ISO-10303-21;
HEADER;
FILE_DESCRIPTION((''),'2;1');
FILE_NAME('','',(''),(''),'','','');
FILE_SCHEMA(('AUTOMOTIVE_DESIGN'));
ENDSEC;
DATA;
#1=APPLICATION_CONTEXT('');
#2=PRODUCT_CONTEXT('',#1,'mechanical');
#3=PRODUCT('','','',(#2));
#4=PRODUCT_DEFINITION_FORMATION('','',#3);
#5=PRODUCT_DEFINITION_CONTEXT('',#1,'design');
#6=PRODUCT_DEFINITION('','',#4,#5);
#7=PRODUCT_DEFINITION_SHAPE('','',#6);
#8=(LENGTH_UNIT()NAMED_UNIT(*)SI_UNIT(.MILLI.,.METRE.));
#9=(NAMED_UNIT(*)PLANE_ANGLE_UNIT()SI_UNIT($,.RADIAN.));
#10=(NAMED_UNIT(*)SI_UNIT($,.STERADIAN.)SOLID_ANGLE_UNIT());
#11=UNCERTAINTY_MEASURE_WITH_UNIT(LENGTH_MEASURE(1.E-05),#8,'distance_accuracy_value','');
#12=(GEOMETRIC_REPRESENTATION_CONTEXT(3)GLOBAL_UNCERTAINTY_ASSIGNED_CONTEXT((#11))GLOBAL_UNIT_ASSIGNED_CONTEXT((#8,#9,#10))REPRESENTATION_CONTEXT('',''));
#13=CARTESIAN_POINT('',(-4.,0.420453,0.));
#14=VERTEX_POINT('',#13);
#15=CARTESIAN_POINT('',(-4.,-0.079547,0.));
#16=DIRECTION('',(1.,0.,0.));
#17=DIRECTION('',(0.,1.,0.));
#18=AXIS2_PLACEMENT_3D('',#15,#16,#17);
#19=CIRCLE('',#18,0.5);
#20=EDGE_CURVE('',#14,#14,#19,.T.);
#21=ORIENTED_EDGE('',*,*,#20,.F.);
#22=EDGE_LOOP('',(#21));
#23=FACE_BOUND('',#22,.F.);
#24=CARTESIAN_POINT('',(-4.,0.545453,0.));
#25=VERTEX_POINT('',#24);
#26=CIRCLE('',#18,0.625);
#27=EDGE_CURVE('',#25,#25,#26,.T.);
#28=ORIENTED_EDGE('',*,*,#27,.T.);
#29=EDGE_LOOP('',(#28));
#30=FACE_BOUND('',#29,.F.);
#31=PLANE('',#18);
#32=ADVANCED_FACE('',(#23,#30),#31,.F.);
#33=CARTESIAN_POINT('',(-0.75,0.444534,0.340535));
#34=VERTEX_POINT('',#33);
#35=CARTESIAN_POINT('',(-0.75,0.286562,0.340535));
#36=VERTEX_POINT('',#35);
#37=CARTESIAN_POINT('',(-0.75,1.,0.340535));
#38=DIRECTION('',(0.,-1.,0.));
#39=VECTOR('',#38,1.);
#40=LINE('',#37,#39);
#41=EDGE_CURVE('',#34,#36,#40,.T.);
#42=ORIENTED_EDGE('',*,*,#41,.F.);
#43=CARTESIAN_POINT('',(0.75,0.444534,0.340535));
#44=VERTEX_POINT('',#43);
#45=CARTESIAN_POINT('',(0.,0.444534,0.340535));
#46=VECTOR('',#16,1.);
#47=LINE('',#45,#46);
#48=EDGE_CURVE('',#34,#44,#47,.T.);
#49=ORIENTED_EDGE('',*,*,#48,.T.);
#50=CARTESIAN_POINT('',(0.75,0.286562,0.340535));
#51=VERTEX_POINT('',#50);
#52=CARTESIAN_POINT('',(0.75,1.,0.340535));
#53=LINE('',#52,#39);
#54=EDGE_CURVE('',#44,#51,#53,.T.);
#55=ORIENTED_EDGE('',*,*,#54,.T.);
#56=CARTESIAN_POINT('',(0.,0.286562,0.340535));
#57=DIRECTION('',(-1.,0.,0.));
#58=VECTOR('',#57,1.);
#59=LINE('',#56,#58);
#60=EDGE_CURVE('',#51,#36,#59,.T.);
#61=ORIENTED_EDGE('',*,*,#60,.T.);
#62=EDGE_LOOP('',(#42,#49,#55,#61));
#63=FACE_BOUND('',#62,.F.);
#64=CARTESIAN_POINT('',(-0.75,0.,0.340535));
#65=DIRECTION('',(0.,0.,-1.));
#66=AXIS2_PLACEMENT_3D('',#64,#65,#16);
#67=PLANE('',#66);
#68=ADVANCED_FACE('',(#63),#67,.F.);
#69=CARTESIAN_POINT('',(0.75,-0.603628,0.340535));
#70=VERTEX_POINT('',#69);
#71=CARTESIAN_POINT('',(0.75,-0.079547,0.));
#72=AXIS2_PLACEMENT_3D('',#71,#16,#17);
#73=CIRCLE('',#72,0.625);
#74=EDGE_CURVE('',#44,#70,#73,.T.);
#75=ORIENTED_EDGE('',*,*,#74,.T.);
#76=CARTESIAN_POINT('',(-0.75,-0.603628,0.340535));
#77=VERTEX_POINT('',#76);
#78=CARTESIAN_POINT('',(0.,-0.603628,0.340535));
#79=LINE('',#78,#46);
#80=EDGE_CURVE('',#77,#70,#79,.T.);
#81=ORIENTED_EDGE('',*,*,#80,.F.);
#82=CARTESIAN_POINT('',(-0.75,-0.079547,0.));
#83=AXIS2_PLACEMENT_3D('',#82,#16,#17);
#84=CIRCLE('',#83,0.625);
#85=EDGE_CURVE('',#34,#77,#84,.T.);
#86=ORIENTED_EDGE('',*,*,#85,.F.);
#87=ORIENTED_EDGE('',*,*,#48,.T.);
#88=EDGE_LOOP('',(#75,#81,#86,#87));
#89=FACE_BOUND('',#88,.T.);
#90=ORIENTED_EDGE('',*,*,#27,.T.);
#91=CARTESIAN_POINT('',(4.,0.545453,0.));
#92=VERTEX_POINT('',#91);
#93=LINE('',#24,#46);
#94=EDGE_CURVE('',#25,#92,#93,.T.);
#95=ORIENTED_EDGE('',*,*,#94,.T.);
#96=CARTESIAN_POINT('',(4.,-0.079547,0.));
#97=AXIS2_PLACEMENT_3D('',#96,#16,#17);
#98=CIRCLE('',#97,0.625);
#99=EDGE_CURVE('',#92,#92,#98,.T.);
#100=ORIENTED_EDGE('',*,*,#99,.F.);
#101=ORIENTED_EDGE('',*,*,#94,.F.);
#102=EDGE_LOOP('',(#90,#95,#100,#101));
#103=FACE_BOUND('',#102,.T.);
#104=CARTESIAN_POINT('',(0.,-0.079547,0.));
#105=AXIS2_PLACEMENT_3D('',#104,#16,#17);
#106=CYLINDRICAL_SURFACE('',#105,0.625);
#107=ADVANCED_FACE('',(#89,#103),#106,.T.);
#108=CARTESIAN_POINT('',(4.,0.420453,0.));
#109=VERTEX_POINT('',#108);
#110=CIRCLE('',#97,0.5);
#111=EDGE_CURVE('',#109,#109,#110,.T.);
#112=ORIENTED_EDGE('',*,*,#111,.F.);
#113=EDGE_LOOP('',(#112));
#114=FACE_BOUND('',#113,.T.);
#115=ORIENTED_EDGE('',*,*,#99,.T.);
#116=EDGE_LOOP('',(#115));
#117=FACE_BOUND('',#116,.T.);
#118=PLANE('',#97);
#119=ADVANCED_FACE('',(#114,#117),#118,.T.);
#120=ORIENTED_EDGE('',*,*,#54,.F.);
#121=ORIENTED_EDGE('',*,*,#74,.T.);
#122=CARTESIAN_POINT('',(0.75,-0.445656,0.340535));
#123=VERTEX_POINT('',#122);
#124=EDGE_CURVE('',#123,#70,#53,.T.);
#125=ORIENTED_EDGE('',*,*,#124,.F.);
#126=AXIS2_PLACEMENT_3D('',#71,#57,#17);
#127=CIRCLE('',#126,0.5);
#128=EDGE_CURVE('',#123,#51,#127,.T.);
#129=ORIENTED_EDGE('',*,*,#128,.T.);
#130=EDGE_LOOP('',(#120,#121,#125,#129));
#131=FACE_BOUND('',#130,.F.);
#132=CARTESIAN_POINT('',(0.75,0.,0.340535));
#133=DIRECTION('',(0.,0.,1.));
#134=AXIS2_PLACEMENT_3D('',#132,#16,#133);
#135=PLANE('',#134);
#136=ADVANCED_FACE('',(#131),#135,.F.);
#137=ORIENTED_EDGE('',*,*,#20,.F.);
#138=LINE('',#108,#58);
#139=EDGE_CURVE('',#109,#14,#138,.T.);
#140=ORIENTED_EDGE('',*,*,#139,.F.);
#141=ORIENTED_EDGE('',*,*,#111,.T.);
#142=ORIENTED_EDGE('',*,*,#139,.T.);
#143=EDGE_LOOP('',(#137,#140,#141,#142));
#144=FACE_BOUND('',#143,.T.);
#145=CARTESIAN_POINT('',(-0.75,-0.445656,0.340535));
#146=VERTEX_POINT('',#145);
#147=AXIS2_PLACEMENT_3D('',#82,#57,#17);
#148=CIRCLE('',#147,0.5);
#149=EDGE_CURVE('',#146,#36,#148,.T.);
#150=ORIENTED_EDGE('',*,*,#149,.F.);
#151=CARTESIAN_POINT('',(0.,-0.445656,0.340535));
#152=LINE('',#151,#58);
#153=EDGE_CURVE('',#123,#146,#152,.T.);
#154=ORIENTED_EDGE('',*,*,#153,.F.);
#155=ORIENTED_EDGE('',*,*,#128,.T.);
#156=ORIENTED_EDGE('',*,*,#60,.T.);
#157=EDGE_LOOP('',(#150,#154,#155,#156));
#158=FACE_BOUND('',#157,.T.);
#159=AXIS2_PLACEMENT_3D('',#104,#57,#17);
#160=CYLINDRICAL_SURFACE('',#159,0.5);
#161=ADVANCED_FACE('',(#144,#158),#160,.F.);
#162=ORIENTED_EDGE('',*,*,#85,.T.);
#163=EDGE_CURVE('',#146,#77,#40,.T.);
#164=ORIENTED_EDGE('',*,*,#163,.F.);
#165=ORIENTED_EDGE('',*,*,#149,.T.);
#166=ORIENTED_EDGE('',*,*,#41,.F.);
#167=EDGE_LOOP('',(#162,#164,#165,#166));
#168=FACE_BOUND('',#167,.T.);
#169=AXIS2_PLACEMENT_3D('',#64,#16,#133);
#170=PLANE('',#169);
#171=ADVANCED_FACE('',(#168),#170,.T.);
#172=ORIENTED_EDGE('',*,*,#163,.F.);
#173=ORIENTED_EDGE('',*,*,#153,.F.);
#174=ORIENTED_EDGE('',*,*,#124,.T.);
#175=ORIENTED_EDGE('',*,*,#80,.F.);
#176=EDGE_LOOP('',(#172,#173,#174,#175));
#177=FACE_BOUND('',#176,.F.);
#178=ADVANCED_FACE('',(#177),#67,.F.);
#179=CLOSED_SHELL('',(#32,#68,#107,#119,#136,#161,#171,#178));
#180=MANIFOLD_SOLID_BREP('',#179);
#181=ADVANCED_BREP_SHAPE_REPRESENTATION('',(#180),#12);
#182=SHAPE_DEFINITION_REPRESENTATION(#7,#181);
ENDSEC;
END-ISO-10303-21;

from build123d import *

# Parameters (mm, degrees)
F0_R     = 0.625
F0_R_2   = 0.5
F1_DEPTH = 4
F2_W     = 1.5
F2_H     = 0.5
F3_DEPTH = 1


with BuildPart() as f1:
    # F0 (on Right) → F1 (new body, symmetric)
    with BuildSketch(Plane.YZ):
        with Locations((-0.079547, 0)):
            Circle(F0_R)
        with Locations((-0.079547, 0)):
            Circle(F0_R_2, mode=Mode.SUBTRACT)
    extrude(amount=F1_DEPTH, both=True)

    # F2 (on Front) → F3 (cut, symmetric)
    with BuildSketch(Plane.XZ):
        with Locations((0, 0.590535)):
            Rectangle(F2_W, F2_H)
    extrude(amount=F3_DEPTH, both=True, mode=Mode.SUBTRACT)


solid = f1.part
